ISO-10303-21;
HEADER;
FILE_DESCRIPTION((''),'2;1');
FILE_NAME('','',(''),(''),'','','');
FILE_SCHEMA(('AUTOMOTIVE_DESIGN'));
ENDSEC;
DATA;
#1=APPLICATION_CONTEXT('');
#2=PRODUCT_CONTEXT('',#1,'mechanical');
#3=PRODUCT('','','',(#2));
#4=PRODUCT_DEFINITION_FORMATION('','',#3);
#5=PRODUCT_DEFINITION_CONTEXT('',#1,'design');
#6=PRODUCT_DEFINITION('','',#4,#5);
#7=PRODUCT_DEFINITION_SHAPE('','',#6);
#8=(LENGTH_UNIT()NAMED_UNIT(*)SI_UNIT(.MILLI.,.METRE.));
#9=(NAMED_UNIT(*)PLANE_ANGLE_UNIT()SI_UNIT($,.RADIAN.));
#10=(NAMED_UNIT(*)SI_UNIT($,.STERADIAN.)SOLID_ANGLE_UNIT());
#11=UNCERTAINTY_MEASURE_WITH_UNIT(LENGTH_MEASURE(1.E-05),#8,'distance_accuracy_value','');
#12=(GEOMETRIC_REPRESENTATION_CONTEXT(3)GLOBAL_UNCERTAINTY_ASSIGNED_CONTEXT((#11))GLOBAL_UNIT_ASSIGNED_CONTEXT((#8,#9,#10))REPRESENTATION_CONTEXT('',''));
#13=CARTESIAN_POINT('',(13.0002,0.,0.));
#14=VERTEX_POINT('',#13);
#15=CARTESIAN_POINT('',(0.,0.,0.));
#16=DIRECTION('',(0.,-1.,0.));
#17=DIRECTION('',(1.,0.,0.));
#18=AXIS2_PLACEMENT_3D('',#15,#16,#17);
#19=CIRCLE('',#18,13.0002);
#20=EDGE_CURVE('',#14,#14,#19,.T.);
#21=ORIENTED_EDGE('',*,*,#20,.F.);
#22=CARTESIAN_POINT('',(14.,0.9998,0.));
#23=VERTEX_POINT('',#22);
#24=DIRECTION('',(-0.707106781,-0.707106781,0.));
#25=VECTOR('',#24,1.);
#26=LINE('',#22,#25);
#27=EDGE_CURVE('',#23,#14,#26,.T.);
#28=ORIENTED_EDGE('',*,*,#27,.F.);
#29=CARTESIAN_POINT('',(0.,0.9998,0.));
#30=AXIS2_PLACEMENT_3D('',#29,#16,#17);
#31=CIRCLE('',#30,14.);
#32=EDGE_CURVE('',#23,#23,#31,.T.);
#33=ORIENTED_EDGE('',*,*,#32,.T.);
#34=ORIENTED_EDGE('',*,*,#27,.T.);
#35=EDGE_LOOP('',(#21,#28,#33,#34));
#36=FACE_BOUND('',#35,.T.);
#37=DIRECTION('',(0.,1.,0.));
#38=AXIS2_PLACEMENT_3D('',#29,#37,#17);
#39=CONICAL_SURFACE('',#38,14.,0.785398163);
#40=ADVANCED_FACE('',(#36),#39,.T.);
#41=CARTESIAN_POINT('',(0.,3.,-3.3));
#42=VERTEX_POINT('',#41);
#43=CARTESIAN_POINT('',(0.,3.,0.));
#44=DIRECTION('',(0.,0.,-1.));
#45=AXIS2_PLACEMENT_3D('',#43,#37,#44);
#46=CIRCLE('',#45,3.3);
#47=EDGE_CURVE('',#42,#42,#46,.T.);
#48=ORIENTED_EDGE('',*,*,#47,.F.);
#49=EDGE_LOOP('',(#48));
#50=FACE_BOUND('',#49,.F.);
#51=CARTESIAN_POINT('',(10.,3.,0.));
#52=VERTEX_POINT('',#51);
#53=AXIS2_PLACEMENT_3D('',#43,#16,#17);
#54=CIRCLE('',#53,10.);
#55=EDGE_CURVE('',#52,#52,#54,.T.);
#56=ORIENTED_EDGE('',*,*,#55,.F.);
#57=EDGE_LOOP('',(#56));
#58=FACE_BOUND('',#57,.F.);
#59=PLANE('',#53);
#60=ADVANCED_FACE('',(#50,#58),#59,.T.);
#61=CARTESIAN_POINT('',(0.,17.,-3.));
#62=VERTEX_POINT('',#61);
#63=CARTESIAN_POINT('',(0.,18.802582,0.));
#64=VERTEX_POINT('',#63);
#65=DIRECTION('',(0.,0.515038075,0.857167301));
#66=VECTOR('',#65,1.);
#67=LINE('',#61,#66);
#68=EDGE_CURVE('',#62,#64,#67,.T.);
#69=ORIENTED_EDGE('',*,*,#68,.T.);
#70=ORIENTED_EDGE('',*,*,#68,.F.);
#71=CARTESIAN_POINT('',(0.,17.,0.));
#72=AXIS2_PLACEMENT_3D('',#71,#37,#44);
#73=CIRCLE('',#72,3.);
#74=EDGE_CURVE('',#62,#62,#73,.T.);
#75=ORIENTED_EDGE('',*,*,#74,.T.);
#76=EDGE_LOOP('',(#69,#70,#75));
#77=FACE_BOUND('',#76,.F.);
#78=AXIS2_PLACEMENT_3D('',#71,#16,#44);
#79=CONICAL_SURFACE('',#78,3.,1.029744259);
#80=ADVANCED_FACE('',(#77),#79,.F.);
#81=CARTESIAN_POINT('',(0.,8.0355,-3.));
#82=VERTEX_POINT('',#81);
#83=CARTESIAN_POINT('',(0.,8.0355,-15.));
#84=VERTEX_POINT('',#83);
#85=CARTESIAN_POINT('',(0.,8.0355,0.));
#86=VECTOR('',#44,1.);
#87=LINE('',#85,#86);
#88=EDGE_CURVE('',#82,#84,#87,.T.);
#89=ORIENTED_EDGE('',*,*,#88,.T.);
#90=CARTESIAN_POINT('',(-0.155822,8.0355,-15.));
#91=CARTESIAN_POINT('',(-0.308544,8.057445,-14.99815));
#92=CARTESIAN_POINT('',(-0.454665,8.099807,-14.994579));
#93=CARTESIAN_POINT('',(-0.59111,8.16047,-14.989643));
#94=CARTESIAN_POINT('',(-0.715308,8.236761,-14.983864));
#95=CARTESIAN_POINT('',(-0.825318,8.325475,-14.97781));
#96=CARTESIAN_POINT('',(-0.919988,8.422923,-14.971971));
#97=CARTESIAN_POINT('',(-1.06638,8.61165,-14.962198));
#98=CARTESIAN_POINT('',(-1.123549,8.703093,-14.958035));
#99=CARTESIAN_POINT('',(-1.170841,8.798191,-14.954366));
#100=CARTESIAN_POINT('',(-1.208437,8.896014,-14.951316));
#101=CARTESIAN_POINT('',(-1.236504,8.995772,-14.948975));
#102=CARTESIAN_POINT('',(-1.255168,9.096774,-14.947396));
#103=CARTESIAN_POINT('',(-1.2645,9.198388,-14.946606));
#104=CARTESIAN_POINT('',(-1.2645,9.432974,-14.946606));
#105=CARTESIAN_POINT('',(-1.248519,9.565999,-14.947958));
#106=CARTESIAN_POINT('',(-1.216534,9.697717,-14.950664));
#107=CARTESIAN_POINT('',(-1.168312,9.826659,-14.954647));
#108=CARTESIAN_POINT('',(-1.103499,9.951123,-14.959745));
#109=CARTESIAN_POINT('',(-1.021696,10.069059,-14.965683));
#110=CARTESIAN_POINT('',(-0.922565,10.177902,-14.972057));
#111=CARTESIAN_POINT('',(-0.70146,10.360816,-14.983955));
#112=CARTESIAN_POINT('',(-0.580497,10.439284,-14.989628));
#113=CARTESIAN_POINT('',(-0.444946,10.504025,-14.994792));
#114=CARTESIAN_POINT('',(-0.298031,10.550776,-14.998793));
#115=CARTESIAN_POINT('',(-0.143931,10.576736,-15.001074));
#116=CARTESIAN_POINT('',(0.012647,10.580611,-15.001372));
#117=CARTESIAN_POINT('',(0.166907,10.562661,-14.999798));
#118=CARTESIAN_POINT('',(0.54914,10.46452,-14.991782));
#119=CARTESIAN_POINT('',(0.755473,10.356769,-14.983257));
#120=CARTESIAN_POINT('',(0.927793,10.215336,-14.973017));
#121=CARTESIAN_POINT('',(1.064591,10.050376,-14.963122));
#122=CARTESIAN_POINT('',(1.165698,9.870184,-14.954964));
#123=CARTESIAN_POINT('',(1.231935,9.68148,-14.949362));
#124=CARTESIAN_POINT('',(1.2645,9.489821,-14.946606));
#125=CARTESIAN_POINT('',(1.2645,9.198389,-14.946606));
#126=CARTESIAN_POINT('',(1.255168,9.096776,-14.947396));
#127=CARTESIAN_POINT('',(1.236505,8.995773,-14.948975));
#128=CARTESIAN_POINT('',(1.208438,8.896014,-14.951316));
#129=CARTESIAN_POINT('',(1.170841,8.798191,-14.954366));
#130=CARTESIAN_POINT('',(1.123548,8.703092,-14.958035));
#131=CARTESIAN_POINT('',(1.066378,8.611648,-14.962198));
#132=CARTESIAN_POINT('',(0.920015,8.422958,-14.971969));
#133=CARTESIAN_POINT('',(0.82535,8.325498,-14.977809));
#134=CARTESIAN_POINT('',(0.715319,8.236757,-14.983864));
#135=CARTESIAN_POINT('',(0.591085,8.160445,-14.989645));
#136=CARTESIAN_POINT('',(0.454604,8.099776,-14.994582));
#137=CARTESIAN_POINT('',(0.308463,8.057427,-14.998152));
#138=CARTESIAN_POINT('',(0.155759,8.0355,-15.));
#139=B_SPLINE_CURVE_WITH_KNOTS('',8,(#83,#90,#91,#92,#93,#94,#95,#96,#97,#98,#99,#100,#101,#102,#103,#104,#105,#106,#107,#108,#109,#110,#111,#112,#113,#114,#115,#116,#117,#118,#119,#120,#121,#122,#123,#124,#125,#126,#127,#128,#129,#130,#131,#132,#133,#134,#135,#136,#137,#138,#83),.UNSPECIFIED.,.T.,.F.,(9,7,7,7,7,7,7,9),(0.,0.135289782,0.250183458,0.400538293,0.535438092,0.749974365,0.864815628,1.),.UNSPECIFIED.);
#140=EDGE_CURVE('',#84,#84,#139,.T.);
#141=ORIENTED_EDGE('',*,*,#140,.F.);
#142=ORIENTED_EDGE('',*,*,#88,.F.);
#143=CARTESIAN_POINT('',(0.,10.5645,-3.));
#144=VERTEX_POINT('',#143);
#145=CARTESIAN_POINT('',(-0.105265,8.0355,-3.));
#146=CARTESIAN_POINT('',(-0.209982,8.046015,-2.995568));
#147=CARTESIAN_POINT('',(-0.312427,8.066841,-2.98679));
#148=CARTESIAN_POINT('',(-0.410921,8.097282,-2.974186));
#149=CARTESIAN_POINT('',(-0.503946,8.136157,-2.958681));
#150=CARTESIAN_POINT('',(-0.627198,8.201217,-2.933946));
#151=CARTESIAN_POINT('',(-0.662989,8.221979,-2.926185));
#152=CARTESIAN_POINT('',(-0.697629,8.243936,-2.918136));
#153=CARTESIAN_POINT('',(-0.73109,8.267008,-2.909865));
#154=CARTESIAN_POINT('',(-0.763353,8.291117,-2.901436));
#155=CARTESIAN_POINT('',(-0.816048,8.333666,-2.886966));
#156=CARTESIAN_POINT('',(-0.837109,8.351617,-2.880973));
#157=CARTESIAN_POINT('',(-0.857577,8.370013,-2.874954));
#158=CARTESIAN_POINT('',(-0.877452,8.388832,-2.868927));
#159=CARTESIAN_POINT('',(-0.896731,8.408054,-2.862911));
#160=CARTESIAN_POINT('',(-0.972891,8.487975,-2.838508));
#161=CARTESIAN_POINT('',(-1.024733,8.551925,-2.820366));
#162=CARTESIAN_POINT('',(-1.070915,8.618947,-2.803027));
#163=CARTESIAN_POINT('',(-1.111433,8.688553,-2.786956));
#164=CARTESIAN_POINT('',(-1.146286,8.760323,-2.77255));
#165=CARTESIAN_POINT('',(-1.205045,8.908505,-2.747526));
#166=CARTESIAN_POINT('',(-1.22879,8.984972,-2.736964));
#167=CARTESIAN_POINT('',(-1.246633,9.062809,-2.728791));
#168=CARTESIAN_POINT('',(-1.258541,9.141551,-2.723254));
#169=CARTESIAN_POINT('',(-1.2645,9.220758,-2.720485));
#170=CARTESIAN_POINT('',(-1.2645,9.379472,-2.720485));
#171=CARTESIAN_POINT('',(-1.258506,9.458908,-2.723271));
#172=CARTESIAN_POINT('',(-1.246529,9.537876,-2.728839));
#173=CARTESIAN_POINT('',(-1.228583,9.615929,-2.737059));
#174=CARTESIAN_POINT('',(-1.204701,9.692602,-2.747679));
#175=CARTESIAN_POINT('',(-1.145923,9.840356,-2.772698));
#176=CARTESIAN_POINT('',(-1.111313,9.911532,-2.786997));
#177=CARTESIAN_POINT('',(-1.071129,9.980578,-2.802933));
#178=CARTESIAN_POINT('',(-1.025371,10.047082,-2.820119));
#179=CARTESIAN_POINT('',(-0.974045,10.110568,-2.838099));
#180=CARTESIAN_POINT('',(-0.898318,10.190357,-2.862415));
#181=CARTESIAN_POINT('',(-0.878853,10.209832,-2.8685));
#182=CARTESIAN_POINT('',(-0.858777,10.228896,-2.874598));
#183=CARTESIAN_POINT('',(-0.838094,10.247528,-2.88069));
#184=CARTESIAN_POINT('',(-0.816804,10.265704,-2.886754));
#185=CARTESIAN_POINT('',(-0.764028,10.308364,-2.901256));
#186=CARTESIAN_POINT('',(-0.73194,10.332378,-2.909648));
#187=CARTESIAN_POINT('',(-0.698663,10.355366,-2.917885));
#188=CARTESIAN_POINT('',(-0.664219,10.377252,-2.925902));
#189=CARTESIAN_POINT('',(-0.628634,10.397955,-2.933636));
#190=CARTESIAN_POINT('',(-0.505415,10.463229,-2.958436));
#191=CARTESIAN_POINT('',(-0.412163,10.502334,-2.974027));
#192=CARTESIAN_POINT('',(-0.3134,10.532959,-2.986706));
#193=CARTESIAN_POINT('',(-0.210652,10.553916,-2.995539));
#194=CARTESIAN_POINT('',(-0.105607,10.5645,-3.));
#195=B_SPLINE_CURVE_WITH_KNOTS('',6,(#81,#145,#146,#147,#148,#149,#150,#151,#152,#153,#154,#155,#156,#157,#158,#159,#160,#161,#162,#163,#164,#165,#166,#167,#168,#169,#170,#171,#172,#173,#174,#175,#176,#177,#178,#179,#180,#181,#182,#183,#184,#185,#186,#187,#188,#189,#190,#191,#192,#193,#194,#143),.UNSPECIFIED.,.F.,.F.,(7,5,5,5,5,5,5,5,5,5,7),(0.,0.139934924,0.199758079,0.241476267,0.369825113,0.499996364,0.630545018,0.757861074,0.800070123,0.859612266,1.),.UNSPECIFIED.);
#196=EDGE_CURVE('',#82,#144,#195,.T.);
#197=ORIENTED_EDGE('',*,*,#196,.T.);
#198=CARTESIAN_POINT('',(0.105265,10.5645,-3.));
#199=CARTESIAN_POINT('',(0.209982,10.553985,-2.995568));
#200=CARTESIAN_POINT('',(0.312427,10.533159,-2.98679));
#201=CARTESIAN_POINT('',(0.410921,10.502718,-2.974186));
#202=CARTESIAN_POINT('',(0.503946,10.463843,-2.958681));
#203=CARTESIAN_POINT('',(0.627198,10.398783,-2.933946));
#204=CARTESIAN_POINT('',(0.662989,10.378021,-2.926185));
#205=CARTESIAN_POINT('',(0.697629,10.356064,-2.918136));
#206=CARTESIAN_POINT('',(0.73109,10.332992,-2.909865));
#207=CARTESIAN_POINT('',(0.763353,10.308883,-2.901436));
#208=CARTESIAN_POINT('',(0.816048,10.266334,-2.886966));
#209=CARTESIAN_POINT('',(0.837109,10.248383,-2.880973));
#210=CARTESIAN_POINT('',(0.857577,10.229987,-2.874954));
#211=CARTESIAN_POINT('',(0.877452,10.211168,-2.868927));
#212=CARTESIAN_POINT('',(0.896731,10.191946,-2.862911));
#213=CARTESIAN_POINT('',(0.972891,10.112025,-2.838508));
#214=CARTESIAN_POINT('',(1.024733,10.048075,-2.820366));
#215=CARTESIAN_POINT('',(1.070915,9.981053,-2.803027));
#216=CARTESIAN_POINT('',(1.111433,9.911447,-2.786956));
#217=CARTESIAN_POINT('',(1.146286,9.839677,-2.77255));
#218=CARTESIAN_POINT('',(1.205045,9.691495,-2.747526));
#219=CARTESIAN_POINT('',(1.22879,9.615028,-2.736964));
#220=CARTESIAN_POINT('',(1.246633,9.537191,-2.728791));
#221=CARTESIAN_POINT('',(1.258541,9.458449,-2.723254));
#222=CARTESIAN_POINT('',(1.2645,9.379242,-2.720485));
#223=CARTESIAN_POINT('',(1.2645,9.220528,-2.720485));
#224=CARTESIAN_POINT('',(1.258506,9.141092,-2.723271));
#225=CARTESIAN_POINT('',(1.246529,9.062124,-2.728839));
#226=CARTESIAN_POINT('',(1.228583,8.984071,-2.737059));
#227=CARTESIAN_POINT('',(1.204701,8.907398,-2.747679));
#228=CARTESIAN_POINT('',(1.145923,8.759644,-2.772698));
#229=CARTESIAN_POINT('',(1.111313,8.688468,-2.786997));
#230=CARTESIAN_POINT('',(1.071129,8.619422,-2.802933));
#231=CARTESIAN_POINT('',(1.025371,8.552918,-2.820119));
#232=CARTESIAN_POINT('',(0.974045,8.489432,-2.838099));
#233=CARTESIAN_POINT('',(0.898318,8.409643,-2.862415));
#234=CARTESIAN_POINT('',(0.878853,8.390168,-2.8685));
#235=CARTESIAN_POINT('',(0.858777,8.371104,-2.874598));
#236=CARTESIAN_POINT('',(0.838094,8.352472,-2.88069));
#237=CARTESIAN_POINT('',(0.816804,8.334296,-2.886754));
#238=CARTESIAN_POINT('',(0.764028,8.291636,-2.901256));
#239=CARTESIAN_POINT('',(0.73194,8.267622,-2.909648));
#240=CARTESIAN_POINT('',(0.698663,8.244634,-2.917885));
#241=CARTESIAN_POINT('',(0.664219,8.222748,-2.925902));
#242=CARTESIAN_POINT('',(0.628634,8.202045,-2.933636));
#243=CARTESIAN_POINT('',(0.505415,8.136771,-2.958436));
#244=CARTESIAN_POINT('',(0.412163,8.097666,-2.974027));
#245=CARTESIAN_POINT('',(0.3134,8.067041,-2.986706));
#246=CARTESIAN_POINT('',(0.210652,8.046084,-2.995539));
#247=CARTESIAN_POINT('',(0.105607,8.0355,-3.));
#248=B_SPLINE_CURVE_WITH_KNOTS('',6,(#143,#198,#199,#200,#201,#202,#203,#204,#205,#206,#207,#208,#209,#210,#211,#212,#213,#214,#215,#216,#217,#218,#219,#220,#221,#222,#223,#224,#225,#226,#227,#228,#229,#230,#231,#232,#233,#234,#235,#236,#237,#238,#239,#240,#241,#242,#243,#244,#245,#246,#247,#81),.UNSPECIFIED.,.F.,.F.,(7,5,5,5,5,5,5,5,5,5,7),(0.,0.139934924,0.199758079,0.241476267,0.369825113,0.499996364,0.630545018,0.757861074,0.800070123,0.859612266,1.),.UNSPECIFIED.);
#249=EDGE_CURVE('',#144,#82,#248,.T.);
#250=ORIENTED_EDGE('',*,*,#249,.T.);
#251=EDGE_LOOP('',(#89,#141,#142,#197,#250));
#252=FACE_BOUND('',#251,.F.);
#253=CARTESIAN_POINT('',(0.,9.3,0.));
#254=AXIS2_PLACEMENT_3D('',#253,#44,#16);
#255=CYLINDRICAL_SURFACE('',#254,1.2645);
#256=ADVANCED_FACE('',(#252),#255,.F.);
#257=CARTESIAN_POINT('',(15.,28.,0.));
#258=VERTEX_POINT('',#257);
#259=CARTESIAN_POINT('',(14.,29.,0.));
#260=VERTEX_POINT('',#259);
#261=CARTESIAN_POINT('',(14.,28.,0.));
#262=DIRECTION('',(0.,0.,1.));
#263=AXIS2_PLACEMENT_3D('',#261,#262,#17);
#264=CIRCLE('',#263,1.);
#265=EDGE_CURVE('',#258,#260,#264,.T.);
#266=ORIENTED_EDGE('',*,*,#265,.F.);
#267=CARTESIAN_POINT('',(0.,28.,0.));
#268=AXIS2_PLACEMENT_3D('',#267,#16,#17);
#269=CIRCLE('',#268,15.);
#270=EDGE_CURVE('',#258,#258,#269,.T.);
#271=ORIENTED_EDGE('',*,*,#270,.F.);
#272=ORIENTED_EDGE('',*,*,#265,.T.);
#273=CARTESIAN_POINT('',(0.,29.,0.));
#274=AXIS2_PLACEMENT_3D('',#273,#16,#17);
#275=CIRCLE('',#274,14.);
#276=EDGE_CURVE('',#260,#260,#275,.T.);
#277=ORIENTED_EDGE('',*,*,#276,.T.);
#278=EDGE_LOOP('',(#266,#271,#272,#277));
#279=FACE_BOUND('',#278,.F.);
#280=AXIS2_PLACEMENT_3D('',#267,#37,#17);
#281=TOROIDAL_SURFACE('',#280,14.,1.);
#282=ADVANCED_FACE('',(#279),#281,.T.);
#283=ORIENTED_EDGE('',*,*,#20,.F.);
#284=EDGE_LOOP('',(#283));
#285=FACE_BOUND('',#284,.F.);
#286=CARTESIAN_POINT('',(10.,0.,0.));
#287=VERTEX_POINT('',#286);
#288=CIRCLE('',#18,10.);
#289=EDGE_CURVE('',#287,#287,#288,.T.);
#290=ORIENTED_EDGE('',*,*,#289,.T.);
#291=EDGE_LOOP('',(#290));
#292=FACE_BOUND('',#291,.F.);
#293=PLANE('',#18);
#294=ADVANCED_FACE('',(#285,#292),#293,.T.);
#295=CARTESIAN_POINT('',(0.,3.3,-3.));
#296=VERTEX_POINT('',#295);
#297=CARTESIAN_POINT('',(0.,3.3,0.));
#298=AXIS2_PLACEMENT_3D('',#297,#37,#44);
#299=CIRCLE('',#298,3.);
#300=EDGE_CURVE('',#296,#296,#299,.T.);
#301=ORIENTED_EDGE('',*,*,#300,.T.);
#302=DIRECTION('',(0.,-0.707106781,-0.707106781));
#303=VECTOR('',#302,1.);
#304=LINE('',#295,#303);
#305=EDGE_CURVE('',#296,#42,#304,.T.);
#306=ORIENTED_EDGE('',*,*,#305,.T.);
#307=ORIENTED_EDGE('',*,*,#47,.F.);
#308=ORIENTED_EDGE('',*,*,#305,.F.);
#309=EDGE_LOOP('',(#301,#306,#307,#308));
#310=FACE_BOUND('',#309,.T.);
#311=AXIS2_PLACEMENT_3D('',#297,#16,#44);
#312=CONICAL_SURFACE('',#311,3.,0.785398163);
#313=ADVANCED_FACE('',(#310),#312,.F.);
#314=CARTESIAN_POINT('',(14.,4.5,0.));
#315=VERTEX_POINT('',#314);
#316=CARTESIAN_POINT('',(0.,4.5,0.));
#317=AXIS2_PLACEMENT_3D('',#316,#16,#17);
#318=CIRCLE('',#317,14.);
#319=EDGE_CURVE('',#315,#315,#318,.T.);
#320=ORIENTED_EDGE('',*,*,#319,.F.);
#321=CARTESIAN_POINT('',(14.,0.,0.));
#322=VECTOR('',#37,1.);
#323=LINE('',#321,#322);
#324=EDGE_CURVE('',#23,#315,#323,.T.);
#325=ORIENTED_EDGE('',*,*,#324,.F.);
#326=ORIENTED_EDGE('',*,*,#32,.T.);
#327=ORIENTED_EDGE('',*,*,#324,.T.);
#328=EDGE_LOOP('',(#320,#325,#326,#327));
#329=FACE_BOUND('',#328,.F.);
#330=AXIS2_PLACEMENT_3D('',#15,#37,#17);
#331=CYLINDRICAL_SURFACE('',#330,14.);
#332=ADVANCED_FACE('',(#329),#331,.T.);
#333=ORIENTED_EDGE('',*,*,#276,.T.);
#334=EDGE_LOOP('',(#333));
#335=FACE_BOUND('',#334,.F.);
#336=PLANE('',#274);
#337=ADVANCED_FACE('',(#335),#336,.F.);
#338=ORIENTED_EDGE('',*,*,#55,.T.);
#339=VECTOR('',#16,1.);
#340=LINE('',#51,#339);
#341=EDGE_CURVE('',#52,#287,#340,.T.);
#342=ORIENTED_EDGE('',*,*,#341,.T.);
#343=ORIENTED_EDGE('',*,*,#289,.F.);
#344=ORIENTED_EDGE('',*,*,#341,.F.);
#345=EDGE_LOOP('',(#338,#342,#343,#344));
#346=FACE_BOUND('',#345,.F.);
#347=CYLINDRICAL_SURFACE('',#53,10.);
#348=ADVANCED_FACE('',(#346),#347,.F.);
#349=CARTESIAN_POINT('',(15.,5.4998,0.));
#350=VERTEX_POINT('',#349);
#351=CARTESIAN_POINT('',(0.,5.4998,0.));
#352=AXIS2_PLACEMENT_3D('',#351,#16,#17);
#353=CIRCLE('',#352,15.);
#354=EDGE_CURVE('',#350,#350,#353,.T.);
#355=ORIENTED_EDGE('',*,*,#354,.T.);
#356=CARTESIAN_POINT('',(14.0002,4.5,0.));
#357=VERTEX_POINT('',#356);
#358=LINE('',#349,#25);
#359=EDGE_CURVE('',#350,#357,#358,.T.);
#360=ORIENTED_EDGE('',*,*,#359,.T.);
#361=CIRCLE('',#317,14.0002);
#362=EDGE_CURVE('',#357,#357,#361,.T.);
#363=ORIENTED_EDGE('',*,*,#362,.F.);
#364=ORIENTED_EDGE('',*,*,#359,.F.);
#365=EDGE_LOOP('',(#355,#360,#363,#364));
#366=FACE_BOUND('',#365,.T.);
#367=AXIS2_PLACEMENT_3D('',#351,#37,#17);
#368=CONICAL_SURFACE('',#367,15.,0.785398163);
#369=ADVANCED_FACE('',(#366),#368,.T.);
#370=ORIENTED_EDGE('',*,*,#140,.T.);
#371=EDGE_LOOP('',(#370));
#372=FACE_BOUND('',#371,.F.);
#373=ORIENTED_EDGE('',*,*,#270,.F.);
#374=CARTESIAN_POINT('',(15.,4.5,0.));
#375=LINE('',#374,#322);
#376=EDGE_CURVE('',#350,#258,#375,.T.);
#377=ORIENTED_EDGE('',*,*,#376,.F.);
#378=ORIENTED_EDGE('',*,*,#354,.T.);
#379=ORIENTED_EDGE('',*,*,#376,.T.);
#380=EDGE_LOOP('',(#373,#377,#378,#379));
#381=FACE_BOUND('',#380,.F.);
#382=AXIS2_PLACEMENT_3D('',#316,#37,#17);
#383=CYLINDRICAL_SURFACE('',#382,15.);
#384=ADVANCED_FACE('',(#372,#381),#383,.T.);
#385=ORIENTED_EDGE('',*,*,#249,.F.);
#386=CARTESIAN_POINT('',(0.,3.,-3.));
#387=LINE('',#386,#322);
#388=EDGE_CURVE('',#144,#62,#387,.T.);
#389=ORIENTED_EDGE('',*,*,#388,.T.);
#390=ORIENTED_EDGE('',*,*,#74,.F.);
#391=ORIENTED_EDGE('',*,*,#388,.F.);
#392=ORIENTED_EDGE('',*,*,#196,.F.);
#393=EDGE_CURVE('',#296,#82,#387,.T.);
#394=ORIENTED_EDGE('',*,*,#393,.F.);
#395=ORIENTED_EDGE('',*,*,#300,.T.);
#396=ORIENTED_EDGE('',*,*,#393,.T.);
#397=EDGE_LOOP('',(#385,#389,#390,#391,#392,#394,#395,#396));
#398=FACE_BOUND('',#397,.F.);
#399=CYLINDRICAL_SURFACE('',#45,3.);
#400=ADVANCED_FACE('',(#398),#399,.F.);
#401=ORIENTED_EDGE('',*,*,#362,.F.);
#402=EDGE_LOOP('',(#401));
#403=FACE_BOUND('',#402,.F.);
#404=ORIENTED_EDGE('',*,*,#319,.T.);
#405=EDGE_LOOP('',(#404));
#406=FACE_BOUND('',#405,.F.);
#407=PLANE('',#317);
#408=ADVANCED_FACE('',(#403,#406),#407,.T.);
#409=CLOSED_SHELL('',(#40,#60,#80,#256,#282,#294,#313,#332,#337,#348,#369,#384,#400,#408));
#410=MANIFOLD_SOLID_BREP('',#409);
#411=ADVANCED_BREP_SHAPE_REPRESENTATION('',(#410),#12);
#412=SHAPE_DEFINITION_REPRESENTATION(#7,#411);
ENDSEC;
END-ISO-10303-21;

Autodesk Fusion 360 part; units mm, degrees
sketch "Sketch1" plane through (0, 0, 0) normal (0, 0, 1) x (1, 0, 0)
  line L0 (0, 3) -> (10, 3)
  line L1 (10, 3) -> (10, 0)
  line L2 (10, 0) -> (14, 0)
  line L3 (14, 0) -> (14, 4.5)
  line L4 (14, 4.5) -> (15, 4.5)
  line L5 (15, 4.5) -> (15, 29)
  line L6 (15, 29) -> (0, 29)
  line L7 (0, 29) -> (0, 3)
  dimension "d1" = 30
  dimension "d2" = 29
  dimension "d3" = 28
  dimension "d4" = 20
  dimension "d5" = 3
  dimension "d6" = 4.5
revolve "Revolve1" add sketch "Sketch1" angle 360 about axis through (0, 29, 0) along (0, -1, 0)
chamfer "Chamfer1" distance 1 angle 45 2 edges at (-13.9849, 4.5, -5.4242) (-13.0526, 0, -5.0626)
sketch "Sketch2" plane through (0, 3, 0) normal (0, -1, 0) x (1, 0, 0)
  circle A0 centre (0, 0) radius 10
hole "Hole1" at (0, 3, 0) direction (0, 1, 0) diameter 6 depth 14 tip angle 118
sketch "Sketch3" plane through (0, 0, 0) normal (0, 0, 1) x (1, 0, 0)
  line L0 (13, 0) -> (-13, 0)
  point P0 (0, 9.3)
  dimension "d12" = 9.3
hole "Hole2" at (0, 9.3, 0) direction (0, 0, -1) diameter 2.529 end through all
chamfer "Chamfer2" distance 0.3 angle 45 1 edges at (1.0848, 3, 2.797)
fillet "Fillet1" radius 1 1 edges at (-13.9849, 29, -5.4242)
